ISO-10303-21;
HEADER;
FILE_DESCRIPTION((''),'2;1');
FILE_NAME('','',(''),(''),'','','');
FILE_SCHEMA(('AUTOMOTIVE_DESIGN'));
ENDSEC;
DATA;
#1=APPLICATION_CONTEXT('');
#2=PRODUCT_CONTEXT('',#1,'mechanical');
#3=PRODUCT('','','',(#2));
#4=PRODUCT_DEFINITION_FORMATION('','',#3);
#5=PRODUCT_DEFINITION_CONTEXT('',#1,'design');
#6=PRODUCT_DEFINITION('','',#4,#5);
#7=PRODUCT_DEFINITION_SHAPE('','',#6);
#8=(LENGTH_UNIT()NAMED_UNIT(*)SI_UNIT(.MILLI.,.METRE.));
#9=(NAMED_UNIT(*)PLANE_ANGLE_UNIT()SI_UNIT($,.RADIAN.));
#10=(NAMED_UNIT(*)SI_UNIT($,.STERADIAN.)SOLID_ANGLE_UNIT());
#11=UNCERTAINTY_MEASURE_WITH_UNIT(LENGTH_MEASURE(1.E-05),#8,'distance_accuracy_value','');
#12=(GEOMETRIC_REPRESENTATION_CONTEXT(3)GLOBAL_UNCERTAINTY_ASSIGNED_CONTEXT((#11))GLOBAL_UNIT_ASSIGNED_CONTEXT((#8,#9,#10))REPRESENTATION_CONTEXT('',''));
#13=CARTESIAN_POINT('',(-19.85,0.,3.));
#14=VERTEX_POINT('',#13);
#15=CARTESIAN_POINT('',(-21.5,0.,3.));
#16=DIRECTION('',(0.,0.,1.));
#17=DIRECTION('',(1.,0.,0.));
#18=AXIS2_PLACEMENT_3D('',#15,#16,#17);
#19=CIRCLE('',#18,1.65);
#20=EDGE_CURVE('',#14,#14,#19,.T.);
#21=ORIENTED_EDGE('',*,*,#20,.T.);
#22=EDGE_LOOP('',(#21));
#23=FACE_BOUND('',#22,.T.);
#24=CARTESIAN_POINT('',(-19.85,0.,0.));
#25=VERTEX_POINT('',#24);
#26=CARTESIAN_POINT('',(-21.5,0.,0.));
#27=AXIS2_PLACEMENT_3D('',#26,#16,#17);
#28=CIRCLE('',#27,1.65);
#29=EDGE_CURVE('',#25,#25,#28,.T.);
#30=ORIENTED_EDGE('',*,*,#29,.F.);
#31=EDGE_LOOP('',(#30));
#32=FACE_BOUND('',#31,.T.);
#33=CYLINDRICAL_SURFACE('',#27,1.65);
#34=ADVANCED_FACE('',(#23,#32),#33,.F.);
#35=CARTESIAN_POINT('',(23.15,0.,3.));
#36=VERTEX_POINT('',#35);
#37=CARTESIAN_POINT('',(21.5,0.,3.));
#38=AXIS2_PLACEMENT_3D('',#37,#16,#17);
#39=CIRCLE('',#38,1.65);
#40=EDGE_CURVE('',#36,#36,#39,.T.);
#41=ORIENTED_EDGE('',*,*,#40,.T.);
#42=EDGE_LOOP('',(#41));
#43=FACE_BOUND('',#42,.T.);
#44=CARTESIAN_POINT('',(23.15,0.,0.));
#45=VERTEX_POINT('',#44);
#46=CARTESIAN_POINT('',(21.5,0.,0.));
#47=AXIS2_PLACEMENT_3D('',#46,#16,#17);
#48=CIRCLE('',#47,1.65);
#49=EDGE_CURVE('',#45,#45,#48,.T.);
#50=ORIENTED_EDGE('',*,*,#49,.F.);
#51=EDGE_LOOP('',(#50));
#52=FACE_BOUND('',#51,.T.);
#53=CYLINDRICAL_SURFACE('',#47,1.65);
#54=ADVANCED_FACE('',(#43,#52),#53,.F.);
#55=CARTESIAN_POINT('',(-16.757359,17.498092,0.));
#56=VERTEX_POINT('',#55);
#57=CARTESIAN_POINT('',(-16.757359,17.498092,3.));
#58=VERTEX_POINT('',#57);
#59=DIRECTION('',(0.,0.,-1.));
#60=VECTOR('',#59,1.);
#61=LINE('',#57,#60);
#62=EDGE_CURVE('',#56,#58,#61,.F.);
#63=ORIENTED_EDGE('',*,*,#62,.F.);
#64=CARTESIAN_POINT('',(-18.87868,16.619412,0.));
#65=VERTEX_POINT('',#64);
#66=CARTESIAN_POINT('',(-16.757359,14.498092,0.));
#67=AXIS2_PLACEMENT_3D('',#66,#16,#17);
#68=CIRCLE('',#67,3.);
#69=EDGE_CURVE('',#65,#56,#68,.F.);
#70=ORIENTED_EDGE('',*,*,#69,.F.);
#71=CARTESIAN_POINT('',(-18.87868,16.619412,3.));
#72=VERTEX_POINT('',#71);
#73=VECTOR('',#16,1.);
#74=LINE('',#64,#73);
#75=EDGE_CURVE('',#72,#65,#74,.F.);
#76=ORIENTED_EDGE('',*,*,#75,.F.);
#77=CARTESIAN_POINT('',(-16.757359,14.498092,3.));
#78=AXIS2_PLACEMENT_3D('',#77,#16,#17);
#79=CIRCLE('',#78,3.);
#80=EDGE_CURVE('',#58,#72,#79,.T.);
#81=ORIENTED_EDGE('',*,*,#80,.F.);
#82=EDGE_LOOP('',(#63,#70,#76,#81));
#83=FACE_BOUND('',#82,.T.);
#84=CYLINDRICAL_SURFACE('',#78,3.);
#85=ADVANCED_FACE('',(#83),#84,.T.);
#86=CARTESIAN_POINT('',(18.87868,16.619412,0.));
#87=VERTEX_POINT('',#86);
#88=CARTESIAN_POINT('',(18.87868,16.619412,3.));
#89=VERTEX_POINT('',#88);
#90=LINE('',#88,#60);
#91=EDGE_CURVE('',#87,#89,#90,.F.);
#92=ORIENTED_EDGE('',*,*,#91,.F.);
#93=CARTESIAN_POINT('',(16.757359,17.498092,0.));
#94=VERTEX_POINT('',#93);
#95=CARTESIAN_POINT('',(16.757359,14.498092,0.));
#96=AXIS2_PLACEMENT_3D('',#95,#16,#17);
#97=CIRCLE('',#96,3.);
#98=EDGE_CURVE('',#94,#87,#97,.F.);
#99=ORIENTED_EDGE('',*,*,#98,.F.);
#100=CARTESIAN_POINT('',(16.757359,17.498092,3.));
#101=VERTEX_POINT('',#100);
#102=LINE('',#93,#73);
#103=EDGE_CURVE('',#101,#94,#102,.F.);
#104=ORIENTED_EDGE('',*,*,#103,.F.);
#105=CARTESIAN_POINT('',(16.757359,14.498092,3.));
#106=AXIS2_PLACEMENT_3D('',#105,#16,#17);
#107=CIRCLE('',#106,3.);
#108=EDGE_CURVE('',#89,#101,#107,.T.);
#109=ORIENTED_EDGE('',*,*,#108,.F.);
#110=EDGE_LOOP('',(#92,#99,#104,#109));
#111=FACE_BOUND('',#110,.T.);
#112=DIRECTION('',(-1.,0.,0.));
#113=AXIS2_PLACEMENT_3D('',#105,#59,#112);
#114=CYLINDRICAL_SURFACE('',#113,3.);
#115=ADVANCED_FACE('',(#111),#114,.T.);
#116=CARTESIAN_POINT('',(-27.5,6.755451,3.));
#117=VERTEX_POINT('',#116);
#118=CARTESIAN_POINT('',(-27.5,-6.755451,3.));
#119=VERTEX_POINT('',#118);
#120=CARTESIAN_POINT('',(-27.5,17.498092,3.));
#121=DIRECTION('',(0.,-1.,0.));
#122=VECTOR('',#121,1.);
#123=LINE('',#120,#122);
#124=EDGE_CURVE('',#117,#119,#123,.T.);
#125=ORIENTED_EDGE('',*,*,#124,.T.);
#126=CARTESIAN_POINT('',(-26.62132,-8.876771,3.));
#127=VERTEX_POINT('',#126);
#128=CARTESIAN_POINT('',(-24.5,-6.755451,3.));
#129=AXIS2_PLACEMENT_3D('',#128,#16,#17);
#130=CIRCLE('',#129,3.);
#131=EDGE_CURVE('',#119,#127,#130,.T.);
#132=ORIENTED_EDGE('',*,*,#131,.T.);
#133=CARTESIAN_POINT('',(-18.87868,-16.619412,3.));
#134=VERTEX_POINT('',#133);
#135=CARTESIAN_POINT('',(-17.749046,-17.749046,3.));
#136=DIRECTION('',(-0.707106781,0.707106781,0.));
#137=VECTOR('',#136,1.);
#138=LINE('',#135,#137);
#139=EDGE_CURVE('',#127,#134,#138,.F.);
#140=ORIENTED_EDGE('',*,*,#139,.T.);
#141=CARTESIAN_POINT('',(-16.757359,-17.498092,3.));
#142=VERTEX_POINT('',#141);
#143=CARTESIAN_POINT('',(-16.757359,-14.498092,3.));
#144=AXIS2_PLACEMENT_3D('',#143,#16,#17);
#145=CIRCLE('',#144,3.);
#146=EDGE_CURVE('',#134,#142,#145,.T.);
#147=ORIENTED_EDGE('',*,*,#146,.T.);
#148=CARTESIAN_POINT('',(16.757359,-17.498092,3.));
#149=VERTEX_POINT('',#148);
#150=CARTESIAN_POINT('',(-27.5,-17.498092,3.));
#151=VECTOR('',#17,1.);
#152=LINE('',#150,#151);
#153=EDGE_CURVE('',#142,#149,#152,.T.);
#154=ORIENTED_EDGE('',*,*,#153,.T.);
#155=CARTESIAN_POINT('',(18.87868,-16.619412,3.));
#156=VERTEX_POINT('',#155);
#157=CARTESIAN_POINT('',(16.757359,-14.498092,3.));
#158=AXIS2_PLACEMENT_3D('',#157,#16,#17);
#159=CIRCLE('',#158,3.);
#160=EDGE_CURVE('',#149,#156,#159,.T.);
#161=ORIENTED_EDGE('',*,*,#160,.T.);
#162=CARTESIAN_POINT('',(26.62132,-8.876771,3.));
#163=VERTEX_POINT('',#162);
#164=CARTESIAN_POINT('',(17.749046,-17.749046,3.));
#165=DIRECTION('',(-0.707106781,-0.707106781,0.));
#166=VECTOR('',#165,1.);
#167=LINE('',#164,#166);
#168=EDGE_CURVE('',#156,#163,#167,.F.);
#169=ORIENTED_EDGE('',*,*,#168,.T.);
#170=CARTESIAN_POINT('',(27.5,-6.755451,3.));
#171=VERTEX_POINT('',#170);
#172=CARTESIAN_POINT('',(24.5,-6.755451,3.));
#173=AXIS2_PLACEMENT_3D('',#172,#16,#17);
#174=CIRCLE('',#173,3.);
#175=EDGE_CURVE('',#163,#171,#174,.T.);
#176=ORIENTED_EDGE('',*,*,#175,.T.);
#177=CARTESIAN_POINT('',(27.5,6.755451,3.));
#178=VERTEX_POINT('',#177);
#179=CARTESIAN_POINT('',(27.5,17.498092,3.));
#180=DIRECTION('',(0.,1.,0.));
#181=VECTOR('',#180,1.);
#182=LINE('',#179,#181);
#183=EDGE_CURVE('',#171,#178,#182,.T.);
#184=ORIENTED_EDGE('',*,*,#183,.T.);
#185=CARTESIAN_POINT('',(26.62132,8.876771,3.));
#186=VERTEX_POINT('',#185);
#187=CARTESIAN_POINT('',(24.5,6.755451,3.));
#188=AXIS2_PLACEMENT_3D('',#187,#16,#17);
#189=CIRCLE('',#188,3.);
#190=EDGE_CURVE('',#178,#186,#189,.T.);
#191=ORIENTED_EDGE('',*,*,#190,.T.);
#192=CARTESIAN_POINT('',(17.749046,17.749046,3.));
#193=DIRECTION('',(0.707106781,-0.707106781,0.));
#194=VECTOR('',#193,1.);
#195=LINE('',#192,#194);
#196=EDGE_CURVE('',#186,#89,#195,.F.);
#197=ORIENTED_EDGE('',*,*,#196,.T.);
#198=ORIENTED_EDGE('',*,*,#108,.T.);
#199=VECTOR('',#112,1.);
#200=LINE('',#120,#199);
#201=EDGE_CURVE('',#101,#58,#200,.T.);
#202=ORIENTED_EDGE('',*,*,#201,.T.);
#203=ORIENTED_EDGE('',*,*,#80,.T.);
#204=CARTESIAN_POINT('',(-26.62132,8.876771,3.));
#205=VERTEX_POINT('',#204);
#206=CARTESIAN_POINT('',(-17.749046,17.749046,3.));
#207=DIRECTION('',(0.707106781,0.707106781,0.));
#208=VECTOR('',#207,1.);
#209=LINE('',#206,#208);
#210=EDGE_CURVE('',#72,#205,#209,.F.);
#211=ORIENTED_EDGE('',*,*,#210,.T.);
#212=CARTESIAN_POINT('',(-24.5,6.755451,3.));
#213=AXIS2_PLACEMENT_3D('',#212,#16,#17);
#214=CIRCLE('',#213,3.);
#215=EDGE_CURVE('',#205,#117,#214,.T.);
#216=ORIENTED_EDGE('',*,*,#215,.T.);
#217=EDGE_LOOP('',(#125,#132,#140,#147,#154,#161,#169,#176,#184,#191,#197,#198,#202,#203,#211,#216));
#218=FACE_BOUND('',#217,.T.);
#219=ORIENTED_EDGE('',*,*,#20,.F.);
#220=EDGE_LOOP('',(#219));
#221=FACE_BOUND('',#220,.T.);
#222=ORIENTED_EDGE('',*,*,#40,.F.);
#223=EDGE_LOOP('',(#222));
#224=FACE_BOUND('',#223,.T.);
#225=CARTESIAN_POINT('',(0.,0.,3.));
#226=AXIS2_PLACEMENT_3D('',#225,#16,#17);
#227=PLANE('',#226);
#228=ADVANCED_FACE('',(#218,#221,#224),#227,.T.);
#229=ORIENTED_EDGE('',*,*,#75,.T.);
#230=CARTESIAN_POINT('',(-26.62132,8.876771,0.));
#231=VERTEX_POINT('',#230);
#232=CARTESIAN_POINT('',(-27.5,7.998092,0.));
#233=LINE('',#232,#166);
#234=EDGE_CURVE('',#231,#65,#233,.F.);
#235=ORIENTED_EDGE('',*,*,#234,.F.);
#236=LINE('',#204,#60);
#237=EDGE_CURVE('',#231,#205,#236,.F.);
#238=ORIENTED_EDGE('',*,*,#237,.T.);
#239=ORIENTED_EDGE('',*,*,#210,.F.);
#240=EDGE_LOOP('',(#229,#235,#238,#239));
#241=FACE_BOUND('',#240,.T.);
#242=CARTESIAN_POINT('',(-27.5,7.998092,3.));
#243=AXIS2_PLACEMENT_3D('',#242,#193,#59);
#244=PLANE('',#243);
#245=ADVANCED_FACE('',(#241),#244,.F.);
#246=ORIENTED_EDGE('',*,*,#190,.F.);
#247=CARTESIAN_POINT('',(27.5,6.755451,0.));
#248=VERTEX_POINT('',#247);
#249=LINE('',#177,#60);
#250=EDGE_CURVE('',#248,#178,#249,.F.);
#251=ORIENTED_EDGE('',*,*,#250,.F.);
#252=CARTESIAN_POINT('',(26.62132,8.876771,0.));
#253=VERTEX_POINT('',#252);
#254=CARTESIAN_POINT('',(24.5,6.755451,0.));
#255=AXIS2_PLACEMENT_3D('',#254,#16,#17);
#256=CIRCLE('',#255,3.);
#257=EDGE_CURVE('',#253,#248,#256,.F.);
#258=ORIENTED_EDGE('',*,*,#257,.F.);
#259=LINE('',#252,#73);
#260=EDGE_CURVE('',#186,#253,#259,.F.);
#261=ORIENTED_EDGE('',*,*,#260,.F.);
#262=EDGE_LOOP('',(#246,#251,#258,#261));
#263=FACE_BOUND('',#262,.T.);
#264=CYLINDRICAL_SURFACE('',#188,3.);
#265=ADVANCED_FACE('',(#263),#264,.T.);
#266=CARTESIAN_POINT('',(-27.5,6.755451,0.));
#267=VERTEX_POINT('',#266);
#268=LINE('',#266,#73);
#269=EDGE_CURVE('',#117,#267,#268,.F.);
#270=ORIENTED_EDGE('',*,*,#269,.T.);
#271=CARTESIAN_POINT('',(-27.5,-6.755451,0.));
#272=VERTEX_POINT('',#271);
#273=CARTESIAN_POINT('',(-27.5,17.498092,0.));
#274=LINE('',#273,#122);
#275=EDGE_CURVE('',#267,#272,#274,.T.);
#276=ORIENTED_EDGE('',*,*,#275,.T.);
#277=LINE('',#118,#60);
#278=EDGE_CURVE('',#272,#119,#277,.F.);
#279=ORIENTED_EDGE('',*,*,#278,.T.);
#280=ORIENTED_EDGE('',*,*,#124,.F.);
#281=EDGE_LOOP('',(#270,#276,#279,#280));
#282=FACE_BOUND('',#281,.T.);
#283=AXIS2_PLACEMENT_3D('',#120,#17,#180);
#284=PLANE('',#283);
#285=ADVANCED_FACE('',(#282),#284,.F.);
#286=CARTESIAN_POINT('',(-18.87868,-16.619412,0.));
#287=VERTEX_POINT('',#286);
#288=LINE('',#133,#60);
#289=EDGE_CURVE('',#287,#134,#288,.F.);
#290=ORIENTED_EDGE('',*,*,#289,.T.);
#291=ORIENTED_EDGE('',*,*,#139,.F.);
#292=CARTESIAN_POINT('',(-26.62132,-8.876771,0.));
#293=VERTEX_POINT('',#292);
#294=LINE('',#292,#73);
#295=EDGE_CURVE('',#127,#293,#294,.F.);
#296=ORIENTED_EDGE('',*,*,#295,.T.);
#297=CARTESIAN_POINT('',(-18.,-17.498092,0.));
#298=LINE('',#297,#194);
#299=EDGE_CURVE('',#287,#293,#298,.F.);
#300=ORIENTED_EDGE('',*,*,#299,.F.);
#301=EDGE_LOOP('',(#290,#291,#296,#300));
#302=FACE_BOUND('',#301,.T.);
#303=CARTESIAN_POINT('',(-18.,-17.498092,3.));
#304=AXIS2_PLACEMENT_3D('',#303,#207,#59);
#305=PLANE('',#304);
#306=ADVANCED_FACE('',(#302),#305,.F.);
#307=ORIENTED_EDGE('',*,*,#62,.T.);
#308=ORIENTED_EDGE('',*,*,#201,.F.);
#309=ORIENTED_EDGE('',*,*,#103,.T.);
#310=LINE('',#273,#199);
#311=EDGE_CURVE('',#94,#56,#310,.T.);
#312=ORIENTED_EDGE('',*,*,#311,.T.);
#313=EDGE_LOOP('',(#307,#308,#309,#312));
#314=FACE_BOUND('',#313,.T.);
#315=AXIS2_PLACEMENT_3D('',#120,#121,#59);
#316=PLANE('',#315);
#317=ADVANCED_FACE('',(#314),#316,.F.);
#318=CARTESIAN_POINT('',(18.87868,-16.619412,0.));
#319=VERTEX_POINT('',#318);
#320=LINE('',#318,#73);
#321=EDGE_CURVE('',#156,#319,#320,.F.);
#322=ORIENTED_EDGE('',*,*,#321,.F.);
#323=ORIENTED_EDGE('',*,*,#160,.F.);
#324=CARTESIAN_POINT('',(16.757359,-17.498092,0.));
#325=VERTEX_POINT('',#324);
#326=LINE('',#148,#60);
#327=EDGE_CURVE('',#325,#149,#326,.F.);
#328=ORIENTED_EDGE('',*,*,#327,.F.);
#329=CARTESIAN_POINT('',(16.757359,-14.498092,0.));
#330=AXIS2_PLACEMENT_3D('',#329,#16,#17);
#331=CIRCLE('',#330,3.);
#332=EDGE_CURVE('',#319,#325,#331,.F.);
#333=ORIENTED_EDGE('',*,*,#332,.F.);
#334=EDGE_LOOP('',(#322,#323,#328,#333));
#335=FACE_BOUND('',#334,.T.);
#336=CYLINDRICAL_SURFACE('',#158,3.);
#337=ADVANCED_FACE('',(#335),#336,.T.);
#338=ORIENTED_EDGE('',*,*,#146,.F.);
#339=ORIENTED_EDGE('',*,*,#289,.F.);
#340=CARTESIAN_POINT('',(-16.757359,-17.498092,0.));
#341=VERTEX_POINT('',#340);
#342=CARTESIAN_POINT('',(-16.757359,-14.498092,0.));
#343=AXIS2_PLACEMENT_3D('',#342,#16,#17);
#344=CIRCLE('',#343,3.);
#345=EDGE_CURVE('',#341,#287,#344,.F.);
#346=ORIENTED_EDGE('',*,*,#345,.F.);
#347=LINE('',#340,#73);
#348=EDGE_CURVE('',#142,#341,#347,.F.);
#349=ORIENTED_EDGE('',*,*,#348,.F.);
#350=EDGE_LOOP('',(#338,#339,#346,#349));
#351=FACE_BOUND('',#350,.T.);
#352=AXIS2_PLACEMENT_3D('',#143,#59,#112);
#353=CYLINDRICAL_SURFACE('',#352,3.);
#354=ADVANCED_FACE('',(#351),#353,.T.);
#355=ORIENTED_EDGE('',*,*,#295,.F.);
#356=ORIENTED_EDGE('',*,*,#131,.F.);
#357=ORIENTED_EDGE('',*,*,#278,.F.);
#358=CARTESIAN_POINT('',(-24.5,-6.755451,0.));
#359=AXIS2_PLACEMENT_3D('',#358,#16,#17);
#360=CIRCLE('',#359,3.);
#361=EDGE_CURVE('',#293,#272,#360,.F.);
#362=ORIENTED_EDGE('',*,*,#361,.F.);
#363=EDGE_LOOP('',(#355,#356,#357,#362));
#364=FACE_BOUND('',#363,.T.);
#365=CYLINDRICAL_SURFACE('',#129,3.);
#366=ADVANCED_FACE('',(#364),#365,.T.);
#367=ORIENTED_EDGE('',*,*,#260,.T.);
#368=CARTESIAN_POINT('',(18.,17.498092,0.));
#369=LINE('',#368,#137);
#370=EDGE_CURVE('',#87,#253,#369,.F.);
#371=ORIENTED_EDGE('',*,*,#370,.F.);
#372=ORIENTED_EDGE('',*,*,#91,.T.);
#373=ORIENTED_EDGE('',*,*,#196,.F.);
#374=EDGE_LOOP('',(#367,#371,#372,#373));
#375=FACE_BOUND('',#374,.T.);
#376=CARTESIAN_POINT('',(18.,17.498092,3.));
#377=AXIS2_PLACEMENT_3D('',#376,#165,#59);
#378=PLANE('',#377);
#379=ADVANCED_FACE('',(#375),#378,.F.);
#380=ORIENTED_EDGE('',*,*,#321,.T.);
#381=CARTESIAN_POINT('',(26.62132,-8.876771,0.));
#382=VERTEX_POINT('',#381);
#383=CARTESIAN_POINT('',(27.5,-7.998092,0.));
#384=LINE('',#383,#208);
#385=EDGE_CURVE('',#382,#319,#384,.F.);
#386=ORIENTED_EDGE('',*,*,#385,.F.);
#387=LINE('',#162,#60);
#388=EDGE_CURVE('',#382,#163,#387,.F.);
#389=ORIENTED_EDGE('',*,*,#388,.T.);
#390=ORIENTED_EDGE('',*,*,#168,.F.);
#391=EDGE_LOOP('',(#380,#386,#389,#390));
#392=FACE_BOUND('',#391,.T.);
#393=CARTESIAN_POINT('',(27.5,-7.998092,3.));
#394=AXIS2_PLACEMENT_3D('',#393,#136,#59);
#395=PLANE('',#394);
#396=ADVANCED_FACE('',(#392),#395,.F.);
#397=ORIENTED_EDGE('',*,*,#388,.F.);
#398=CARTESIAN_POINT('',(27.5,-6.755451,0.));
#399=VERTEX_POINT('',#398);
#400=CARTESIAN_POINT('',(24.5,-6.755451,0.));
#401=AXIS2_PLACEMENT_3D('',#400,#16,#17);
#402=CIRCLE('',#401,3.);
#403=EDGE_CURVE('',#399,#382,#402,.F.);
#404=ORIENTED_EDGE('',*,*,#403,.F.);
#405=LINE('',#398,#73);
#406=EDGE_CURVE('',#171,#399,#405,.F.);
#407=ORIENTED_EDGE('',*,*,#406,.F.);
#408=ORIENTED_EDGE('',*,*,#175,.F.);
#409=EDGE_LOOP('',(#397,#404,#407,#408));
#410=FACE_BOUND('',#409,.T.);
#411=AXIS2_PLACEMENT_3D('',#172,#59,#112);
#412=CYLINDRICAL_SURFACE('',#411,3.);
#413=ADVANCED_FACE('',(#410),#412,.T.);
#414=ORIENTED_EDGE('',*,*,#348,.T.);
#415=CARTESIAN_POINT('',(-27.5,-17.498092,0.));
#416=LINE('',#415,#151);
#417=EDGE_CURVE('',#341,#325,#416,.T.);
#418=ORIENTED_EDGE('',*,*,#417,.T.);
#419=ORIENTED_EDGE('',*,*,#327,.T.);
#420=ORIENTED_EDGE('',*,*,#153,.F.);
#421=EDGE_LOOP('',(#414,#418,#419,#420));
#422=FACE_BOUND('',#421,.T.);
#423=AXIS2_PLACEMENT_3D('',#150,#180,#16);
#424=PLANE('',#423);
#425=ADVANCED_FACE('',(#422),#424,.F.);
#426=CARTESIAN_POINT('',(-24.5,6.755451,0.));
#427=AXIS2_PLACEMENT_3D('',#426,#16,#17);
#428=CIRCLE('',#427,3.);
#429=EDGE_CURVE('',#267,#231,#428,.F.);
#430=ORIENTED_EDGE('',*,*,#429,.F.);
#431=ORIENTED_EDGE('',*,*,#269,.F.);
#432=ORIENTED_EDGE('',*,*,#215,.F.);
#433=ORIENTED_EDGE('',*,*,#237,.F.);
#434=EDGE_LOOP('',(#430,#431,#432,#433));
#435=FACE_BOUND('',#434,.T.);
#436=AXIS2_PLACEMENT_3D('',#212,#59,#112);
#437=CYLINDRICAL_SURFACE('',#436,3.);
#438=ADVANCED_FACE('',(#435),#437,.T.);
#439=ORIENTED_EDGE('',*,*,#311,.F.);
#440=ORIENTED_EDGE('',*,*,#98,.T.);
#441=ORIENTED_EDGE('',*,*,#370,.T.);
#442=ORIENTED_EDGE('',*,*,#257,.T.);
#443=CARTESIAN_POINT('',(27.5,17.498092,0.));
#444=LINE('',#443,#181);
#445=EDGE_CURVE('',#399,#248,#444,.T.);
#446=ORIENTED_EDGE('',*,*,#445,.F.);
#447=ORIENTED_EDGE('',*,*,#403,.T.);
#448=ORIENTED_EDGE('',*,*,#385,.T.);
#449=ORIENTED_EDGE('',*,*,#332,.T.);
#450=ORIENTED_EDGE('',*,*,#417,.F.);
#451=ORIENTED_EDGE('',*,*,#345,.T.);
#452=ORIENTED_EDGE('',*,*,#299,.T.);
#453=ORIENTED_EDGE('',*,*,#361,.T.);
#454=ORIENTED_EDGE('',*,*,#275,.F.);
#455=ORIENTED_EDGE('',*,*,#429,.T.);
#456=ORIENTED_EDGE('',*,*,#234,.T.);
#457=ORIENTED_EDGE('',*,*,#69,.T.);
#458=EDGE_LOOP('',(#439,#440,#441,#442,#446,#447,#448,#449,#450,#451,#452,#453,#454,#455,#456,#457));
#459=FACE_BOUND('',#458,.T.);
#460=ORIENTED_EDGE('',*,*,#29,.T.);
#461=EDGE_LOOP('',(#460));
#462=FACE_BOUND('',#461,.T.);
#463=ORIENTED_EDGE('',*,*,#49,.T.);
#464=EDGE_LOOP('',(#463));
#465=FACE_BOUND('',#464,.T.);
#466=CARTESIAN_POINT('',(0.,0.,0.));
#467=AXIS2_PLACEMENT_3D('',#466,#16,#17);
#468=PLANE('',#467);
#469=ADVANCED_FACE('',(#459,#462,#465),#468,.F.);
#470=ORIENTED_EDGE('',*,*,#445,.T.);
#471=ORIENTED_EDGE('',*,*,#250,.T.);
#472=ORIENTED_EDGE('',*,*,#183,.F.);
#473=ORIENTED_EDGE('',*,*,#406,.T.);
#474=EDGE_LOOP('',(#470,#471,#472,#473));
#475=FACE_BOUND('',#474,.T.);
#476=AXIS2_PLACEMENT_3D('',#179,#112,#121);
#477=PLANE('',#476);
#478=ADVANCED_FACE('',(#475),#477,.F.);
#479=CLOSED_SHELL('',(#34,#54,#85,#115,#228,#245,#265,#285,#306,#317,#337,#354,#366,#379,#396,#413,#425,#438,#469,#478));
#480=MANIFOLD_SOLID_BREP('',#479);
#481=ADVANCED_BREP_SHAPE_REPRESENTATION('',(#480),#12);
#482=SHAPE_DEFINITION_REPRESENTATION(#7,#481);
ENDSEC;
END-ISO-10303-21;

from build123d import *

# Parameters (mm, degrees)
SKETCH_1_W          = 55
SKETCH_1_H          = 34.996183206
EXTRUDE_1_DEPTH     = 3
CHAMFER_1_SIZE      = 9.5
FILLET_1_R          = 3
SKETCH_2_R          = 1.65
CUT_EXTRUDE_1_DEPTH = 4


with BuildPart() as part:
    # 草图1 → 凸台-拉伸1 (new body)
    with BuildSketch(Plane.XY):
        Rectangle(SKETCH_1_W, SKETCH_1_H)
    extrude(amount=EXTRUDE_1_DEPTH)

    # 倒角1
    chamfer_1_edges = [part.edges().sort_by_distance(p)[0] for p in [
        (27.5, -17.498091603, 1.5),
        (-27.5, -17.498091603, 1.5),
        (-27.5, 17.498091603, 1.5),
        (27.5, 17.498091603, 1.5),
    ]]
    chamfer(chamfer_1_edges, length=CHAMFER_1_SIZE)

    # 圆角1
    fillet_1_edges = [part.edges().sort_by_distance(p)[0] for p in [
        (-27.5, -7.998091603, 1.5),
        (-27.5, 7.998091603, 1.5),
        (18, 17.498091603, 1.5),
        (-18, 17.498091603, 1.5),
        (18, -17.498091603, 1.5),
        (-18, -17.498091603, 1.5),
        (27.5, 7.998091603, 1.5),
        (27.5, -7.998091603, 1.5),
    ]]
    fillet(fillet_1_edges, radius=FILLET_1_R)

    # 草图2 → 切除-拉伸1 (cut, through all)
    with BuildSketch(Plane.XY.offset(3)):
        with Locations((-21.5, 0)):
            Circle(SKETCH_2_R)
        with Locations((21.5, 0)):
            Circle(SKETCH_2_R)
    extrude(amount=-CUT_EXTRUDE_1_DEPTH, mode=Mode.SUBTRACT)


solid = part.part
